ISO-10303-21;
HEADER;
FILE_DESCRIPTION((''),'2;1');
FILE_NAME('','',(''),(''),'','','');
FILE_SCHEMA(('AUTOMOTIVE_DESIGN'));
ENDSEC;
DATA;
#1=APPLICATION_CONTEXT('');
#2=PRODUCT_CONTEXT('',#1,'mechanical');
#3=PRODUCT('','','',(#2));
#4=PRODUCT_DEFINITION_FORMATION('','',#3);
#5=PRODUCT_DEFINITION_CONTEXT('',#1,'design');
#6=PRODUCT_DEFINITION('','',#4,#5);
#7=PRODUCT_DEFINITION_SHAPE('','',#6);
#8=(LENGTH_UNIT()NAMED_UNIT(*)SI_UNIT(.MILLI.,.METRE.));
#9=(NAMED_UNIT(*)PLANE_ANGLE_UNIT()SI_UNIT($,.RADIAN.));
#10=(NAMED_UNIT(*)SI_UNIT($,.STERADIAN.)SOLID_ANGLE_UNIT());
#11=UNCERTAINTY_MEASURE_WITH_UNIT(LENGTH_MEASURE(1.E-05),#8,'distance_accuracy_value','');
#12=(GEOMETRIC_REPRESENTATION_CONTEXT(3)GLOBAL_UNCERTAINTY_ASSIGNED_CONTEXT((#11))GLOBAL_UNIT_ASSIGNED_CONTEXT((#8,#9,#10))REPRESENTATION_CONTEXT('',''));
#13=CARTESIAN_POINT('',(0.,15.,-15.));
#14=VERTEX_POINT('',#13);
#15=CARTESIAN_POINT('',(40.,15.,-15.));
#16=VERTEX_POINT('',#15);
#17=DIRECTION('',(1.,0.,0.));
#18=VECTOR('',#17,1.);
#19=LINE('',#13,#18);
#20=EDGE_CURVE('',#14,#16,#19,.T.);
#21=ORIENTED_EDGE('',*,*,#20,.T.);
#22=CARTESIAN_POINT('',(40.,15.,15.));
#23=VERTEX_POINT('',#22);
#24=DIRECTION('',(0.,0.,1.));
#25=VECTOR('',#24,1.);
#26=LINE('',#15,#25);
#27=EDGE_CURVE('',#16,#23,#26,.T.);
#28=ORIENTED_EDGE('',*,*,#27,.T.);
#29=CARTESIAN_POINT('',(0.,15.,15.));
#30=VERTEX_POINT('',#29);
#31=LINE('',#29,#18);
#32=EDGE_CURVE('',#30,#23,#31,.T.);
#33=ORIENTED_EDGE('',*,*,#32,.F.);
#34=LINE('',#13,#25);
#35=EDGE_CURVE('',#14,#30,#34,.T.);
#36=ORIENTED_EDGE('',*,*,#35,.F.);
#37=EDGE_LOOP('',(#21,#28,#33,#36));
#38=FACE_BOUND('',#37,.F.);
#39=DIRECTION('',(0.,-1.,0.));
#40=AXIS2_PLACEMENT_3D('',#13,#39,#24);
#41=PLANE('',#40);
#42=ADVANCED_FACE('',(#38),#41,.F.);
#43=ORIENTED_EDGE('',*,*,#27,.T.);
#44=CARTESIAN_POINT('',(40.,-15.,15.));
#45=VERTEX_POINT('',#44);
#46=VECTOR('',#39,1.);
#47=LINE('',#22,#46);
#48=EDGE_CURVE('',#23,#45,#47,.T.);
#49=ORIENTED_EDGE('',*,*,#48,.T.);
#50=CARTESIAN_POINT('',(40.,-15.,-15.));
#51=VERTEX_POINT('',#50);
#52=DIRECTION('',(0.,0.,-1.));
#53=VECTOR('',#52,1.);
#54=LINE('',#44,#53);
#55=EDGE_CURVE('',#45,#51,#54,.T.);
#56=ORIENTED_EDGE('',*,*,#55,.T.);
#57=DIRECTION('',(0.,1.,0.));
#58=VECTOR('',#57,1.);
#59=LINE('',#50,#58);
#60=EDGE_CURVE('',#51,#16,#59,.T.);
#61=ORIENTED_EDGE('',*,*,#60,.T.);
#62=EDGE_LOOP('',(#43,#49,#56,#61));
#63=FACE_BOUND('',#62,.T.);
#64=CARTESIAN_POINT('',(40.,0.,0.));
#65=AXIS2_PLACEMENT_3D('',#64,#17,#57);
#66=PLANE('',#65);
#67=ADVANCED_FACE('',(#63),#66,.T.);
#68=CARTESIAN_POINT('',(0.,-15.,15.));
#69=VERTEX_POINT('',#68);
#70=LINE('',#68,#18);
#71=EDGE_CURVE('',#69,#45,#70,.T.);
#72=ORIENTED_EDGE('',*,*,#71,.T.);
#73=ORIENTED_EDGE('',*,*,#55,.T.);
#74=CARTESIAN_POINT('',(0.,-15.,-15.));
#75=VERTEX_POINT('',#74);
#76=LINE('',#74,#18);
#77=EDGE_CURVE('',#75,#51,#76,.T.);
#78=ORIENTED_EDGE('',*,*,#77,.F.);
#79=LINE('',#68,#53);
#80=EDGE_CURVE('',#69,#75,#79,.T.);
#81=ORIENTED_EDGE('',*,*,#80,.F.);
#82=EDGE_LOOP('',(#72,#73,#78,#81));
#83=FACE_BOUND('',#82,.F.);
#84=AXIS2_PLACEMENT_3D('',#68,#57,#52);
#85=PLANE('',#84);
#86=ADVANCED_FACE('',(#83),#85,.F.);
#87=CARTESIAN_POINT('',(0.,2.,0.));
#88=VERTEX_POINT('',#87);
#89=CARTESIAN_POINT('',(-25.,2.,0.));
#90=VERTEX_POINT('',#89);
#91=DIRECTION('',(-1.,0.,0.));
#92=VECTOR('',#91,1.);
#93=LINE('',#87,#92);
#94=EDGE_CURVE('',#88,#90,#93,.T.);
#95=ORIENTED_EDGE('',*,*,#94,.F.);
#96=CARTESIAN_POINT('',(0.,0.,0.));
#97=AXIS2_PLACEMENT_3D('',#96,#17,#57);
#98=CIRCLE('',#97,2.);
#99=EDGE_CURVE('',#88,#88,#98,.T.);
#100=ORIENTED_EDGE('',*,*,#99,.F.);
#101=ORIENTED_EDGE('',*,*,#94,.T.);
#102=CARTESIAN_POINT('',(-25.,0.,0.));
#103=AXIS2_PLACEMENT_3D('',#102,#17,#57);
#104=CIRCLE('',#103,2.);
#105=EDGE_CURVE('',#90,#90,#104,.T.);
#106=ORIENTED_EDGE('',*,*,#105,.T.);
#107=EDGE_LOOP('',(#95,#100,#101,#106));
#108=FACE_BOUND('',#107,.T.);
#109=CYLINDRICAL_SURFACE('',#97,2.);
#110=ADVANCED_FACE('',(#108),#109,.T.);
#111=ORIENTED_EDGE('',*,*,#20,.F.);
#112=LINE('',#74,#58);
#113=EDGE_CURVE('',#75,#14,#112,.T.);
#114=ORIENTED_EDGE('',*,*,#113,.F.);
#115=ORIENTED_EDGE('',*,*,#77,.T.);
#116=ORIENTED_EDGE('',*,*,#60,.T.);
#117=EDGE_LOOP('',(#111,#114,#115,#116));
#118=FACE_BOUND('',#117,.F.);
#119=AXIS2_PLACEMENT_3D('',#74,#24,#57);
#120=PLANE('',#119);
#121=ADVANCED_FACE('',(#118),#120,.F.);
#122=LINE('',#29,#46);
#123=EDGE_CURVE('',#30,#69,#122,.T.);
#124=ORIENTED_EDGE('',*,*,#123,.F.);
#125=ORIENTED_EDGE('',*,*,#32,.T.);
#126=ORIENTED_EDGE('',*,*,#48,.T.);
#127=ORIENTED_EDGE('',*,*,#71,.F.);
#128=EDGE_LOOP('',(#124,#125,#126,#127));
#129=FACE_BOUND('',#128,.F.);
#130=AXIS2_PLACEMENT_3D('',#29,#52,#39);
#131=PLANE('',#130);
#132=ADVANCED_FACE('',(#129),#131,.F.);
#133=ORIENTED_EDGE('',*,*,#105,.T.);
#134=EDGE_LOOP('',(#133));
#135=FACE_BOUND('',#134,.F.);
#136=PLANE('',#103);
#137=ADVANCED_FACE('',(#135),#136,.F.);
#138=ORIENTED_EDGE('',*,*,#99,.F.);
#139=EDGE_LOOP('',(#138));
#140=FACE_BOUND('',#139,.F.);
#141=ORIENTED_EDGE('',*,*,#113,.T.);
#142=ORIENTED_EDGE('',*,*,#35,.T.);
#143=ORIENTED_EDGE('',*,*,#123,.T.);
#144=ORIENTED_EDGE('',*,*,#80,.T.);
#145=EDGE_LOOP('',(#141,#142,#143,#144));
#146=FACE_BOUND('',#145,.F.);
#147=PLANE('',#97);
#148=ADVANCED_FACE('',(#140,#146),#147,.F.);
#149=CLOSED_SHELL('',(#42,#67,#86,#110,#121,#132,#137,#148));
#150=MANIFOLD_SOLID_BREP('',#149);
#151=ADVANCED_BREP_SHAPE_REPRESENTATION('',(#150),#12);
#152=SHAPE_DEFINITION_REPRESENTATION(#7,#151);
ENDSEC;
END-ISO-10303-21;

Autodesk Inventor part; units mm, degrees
ref_plane "YZ Plane" through (0, 0, 0) normal (1, 0, 0) x (0, 1, 0)
ref_plane "XZ Plane" through (0, 0, 0) normal (0, 1, 0) x (-1, 0, 0)
ref_plane "XY Plane" through (0, 0, 0) normal (0, 0, 1) x (1, 0, 0)
sketch "Эскиз1" plane through (0, 0, 0) normal (1, 0, 0) x (0, 1, 0)
  line L0 (15, 15) -> (-15, 15)
  line L1 (-15, 15) -> (-15, -15)
  line L2 (-15, -15) -> (15, -15)
  line L3 (15, -15) -> (15, 15)
  line L4 (15, 15) -> (-15, -15) construction
  circle A0 centre (0, 0) radius 2
  dimension "d0" = 30
  dimension "d1" = 30
  dimension "d4" = 4
extrude "Выдавливание1" add sketch "Эскиз1" along normal blind 40 contours L3 L2 L1 L0 | A0
extrude "Выдавливание2" add sketch "Эскиз1" along normal mid plane 50 contours A0
properties part number "psevdo_kicker"
